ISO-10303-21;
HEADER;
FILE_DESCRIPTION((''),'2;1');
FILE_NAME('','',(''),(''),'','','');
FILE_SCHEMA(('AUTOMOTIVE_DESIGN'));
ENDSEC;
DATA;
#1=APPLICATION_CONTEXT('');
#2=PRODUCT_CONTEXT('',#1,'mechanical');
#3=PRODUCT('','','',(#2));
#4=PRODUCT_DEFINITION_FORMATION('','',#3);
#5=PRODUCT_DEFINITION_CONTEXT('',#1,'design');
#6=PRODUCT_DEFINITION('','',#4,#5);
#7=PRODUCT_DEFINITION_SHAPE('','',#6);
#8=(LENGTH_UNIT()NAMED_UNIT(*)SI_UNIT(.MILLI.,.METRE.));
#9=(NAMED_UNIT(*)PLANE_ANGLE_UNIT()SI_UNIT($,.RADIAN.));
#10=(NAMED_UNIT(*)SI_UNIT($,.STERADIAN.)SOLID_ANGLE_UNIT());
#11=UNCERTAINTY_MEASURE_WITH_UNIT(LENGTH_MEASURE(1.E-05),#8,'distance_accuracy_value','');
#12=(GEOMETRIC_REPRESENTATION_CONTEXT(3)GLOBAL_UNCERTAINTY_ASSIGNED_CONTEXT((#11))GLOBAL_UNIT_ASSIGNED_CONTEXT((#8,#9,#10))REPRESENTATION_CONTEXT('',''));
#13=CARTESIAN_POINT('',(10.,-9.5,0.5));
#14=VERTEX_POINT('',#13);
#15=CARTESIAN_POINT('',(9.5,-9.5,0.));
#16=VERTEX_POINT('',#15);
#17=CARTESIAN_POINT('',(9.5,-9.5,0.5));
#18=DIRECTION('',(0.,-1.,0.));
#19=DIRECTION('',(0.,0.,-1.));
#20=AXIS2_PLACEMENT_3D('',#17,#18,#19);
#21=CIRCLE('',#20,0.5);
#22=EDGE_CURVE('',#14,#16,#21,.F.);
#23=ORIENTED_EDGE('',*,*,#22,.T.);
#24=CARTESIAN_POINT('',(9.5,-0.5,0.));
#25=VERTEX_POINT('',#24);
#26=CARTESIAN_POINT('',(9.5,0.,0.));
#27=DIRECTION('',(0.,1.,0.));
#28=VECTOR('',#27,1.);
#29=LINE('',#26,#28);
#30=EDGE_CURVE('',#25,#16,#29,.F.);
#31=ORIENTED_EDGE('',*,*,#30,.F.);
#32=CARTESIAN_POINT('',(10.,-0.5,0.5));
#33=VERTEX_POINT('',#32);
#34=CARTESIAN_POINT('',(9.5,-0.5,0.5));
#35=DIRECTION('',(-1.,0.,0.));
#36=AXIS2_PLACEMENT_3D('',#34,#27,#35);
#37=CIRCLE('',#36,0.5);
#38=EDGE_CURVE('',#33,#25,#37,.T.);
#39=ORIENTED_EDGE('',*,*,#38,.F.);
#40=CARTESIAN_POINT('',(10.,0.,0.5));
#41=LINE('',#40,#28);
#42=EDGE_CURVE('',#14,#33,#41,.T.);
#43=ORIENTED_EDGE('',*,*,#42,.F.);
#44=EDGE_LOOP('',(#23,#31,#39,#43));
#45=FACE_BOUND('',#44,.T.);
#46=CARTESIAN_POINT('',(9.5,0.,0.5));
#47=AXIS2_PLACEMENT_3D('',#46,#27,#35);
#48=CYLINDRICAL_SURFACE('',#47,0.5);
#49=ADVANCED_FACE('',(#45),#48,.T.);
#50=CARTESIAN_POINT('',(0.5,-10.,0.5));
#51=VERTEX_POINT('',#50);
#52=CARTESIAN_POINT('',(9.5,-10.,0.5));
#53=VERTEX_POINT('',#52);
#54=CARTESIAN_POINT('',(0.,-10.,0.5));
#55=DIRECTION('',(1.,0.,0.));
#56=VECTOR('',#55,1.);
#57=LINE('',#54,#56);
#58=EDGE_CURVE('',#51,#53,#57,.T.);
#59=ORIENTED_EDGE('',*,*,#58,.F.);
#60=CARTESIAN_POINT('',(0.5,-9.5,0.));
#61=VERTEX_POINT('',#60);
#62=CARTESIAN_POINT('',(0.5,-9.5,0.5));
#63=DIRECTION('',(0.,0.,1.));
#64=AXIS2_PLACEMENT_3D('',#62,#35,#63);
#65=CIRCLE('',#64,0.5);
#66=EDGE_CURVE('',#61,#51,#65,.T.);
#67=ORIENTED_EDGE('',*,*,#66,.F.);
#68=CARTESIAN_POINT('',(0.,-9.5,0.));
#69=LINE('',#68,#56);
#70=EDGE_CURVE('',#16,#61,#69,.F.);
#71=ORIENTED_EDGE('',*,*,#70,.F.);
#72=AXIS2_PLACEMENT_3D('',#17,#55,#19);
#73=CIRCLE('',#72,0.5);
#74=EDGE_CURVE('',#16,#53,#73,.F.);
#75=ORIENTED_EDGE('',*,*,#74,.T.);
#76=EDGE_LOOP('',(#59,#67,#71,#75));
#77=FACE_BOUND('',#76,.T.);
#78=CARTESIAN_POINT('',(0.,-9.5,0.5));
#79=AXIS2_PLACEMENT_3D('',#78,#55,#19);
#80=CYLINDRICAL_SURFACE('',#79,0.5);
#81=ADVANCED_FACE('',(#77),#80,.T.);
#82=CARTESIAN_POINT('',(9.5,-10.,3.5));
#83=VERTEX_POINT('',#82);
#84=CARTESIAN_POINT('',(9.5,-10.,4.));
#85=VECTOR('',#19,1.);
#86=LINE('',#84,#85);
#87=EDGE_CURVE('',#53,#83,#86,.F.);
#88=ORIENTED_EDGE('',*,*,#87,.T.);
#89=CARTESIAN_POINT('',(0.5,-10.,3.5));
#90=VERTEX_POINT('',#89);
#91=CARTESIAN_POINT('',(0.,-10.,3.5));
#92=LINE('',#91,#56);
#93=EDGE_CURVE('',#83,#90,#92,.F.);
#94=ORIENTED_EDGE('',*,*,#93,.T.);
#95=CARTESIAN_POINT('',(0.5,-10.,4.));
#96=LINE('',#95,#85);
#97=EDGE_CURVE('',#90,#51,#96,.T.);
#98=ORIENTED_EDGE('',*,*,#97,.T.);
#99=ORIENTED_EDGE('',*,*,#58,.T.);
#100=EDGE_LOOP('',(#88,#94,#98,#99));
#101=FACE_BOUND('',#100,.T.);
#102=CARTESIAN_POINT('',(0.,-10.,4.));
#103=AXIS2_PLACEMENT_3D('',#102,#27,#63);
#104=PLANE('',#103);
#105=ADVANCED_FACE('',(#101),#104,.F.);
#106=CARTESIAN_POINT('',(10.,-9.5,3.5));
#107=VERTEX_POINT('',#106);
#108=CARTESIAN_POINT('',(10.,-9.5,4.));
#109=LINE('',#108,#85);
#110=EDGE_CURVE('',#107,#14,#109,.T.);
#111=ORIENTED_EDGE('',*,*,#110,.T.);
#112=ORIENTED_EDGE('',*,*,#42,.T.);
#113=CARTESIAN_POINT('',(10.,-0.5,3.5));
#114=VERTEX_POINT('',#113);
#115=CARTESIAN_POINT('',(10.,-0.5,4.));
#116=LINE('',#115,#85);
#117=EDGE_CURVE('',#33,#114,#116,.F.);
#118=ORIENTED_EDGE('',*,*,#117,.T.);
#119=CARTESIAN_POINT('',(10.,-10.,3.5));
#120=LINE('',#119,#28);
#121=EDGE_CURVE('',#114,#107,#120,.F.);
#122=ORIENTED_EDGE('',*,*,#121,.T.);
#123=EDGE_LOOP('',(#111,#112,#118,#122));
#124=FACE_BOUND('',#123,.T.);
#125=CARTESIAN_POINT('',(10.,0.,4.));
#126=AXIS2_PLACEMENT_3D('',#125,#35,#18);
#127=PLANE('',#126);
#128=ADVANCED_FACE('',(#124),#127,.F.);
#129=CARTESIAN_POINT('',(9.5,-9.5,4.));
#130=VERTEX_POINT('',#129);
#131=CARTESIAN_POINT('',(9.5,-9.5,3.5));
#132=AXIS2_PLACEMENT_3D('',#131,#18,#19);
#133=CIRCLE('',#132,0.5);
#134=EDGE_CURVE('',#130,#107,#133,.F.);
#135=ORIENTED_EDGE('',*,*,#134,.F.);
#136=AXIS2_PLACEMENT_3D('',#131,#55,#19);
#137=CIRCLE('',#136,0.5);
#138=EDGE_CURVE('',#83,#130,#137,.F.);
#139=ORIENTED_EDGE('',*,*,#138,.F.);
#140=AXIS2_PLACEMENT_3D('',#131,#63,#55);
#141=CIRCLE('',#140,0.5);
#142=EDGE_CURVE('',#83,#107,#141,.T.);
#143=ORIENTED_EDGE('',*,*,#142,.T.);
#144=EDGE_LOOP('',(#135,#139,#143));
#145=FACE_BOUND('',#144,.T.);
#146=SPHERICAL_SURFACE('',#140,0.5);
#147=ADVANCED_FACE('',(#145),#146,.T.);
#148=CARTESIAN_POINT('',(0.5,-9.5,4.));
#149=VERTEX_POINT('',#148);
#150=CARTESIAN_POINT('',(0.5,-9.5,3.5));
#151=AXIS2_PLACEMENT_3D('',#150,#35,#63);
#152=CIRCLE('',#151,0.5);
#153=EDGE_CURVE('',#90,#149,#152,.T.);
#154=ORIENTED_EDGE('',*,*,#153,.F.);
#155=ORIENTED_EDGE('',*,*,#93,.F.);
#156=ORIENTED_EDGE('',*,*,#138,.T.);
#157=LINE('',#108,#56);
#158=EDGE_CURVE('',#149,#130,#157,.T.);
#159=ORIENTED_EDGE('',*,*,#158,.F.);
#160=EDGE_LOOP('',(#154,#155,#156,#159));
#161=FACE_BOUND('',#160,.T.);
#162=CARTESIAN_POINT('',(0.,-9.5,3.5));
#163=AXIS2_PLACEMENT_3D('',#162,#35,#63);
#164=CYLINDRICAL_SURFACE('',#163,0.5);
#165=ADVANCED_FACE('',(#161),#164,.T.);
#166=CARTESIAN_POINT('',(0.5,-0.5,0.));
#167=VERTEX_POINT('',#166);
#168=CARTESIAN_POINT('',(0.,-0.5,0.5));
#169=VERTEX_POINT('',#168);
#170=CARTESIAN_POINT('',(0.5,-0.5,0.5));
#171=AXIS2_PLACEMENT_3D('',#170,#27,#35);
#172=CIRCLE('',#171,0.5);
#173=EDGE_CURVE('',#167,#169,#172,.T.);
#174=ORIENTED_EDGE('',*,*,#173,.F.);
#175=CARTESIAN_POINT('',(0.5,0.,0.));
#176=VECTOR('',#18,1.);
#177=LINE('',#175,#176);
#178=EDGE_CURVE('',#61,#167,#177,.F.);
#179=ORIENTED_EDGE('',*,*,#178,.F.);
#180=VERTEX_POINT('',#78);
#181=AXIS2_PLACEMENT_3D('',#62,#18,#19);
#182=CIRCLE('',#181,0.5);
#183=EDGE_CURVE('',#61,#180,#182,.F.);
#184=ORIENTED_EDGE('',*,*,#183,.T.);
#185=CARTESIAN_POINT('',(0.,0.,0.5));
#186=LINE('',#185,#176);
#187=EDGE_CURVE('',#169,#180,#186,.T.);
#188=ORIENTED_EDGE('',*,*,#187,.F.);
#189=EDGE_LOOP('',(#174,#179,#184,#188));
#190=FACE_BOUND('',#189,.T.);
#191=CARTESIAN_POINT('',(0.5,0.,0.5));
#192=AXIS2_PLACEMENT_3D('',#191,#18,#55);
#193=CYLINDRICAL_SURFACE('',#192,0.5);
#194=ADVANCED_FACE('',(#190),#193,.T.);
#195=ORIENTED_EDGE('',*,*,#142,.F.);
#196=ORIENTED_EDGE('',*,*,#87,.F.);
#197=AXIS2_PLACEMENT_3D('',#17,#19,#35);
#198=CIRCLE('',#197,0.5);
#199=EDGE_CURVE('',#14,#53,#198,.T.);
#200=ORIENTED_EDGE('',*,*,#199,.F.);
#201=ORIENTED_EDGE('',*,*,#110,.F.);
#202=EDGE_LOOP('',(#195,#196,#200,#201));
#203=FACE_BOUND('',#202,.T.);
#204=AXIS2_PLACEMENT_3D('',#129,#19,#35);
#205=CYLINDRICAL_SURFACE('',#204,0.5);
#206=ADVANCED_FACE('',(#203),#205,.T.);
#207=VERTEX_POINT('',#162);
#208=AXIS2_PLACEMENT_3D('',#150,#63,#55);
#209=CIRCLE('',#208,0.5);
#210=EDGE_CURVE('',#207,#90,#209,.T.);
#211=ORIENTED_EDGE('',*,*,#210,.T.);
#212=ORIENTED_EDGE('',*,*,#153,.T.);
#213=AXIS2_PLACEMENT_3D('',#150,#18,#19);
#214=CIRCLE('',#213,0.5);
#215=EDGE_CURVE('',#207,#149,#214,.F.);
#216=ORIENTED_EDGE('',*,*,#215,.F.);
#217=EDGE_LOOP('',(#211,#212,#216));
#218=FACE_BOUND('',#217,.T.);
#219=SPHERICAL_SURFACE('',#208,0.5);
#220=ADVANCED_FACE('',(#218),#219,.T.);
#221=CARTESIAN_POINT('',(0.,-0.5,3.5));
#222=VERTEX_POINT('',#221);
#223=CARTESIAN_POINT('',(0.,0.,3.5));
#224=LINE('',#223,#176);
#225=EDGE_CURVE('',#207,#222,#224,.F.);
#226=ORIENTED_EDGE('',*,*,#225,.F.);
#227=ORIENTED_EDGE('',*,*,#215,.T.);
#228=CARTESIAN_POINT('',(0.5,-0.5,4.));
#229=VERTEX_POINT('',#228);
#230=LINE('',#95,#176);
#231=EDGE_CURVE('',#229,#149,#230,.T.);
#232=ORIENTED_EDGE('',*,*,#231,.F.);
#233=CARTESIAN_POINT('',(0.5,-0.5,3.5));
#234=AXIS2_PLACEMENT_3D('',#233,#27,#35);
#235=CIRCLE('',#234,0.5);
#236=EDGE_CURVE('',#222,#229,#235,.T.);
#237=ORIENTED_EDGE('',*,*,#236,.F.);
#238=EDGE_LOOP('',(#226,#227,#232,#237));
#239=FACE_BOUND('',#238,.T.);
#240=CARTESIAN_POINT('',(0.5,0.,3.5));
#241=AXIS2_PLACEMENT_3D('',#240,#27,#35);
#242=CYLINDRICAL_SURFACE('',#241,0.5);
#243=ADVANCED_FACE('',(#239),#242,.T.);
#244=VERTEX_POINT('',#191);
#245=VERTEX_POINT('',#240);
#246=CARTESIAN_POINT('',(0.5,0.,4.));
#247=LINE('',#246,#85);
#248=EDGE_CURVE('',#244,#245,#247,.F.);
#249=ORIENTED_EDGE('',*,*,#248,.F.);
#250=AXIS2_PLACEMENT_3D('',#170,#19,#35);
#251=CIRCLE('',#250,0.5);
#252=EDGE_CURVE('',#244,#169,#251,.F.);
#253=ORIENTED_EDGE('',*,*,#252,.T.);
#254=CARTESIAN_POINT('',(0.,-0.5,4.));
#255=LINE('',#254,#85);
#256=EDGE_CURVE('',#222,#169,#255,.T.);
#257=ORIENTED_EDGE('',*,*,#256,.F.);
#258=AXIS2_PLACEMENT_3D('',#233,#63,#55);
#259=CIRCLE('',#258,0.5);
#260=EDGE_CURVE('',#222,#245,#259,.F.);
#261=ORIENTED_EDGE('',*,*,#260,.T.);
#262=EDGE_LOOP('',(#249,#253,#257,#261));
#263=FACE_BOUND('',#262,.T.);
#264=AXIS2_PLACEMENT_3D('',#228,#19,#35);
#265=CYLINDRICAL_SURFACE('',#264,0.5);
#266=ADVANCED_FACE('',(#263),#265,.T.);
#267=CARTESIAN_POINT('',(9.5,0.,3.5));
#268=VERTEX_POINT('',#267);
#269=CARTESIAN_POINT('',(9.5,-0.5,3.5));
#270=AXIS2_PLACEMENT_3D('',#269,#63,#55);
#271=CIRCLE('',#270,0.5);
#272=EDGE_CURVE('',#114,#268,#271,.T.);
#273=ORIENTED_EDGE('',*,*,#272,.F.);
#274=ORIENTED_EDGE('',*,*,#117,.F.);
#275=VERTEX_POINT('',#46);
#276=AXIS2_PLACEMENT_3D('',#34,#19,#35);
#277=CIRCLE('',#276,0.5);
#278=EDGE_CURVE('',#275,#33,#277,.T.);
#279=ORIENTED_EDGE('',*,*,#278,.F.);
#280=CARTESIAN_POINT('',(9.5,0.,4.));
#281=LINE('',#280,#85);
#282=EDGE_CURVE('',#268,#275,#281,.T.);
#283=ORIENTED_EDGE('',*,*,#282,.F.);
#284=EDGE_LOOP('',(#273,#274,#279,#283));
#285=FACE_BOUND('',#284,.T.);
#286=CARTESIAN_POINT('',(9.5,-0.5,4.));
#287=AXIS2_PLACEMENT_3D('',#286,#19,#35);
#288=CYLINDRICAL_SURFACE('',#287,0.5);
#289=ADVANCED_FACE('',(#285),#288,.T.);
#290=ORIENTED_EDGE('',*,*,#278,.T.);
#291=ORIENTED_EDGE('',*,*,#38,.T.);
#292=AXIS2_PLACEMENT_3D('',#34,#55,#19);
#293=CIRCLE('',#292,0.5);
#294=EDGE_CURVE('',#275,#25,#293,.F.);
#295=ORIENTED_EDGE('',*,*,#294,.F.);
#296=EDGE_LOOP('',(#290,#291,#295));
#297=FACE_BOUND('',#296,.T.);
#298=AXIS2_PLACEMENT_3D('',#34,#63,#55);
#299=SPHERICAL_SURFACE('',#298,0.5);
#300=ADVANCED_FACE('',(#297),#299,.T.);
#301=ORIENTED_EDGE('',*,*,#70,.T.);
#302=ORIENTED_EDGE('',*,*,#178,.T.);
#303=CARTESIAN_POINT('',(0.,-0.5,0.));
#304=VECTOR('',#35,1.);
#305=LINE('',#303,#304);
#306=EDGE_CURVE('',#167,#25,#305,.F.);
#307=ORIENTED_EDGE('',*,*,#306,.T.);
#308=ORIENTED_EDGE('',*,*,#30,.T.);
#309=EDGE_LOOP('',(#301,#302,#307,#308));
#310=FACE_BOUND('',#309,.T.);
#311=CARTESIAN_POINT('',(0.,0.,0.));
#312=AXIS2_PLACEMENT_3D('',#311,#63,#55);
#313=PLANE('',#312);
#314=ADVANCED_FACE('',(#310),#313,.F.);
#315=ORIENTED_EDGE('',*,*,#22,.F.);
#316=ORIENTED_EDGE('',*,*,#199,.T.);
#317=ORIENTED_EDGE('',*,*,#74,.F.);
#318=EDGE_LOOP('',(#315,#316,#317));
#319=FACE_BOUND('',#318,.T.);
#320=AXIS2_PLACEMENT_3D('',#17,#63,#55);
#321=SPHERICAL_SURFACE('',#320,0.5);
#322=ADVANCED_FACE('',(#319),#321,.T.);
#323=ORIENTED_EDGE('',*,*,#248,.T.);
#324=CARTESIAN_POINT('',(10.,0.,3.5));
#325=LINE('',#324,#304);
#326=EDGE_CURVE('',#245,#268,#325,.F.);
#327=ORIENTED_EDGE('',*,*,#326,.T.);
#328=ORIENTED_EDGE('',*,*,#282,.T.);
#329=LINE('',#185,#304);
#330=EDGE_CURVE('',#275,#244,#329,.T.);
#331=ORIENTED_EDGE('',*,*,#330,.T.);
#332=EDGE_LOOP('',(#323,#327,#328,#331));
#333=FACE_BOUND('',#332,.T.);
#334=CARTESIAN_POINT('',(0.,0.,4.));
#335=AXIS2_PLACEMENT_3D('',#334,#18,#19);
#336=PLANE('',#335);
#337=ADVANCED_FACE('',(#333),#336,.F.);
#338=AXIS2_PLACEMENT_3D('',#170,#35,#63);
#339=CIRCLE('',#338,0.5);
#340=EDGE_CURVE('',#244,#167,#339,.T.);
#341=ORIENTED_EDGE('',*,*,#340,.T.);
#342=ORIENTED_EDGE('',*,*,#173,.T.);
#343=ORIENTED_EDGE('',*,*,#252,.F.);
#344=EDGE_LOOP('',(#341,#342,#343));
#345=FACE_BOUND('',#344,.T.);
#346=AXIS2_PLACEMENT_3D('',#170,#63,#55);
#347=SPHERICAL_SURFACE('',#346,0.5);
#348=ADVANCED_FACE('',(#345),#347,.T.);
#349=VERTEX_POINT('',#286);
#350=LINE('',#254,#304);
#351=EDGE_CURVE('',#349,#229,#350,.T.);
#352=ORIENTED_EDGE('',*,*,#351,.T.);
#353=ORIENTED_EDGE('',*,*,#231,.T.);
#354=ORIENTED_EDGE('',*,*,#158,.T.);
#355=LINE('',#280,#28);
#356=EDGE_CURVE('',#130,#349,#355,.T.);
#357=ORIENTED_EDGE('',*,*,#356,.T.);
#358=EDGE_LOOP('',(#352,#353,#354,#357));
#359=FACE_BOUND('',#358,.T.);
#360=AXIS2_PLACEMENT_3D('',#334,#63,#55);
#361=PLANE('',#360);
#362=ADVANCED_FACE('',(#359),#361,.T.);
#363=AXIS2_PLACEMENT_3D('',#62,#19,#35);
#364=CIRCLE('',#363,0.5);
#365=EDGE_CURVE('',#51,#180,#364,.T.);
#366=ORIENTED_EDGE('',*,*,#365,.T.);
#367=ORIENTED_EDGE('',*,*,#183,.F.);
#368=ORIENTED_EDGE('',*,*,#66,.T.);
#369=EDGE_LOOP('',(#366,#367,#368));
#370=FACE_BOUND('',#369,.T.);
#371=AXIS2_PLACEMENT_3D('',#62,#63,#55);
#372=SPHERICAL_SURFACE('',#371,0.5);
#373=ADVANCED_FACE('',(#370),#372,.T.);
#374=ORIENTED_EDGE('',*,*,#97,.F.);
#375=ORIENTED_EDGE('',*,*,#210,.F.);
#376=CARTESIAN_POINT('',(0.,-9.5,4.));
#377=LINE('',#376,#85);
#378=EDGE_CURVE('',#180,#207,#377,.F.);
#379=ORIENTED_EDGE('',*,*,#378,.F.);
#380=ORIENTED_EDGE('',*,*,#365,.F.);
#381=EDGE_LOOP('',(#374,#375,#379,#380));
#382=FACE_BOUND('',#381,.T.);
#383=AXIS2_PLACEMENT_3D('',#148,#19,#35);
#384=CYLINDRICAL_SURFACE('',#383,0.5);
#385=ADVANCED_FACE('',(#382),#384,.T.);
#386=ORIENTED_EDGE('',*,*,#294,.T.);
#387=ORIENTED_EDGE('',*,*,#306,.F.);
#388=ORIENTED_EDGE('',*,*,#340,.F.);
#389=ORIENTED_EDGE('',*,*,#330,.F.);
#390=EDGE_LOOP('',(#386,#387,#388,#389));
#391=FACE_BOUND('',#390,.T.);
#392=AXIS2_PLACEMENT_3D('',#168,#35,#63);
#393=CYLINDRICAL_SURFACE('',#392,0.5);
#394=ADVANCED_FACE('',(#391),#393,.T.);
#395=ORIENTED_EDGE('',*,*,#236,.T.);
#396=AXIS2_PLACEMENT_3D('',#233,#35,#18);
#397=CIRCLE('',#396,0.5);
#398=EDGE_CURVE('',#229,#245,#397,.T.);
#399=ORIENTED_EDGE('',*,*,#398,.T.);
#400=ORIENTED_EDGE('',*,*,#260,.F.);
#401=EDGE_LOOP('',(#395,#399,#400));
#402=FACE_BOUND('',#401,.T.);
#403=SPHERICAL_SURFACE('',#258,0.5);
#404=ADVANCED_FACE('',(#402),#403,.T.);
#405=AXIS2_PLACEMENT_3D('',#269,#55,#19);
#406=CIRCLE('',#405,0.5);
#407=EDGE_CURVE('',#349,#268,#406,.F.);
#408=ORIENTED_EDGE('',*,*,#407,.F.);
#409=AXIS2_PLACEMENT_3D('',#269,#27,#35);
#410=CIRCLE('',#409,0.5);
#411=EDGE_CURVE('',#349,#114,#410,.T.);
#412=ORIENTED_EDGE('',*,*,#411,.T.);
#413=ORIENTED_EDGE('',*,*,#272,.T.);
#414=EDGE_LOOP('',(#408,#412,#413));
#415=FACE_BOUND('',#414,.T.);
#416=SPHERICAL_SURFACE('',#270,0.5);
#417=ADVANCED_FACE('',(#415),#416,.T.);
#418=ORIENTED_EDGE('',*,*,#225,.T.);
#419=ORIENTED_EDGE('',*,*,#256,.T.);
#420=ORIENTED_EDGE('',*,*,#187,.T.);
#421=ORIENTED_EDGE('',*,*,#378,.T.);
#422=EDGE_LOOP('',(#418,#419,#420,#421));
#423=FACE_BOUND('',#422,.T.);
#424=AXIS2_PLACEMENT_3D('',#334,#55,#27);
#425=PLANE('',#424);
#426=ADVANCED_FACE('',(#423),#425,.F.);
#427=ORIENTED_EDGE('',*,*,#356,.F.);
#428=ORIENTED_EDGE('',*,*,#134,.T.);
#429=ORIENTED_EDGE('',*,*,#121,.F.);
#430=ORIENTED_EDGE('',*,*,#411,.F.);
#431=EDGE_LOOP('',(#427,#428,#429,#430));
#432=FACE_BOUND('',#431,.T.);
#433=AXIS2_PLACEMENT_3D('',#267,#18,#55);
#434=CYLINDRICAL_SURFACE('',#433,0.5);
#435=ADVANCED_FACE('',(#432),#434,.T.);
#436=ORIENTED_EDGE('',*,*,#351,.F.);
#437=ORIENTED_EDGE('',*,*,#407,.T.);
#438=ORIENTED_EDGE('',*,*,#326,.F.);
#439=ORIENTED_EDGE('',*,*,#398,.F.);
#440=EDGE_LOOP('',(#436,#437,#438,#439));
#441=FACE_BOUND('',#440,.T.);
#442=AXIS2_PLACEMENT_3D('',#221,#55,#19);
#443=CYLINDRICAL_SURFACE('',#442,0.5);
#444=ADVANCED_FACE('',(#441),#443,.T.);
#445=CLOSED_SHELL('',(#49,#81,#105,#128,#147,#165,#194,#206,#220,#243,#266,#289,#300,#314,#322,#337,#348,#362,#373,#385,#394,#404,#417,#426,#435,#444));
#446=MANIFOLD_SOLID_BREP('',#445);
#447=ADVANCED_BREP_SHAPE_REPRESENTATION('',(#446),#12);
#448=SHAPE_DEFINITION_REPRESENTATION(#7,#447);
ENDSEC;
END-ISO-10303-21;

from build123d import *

# Parameters (mm, degrees)
ESQUISSE1_W        = 10
ESQUISSE1_H        = 10
BOSS_EXTRU_1_DEPTH = 4
CONG_1_R           = 0.5


with BuildPart() as part:
    # Esquisse1 → Boss.-Extru.1 (new body)
    with BuildSketch(Plane.XY):
        with Locations((5, -5)):
            Rectangle(ESQUISSE1_W, ESQUISSE1_H)
    extrude(amount=BOSS_EXTRU_1_DEPTH)

    # Congé1
    cong_1_edges = [part.edges().sort_by_distance(p)[0] for p in [
        (10, -5, 4),
        (5, 0, 4),
        (0, -5, 4),
        (5, 0, 0),
        (10, -5, 0),
        (5, -10, 0),
        (0, -5, 0),
        (5, -10, 4),
        (0, 0, 2),
        (10, 0, 2),
        (10, -10, 2),
        (0, -10, 2),
    ]]
    fillet(cong_1_edges, radius=CONG_1_R)


solid = part.part
